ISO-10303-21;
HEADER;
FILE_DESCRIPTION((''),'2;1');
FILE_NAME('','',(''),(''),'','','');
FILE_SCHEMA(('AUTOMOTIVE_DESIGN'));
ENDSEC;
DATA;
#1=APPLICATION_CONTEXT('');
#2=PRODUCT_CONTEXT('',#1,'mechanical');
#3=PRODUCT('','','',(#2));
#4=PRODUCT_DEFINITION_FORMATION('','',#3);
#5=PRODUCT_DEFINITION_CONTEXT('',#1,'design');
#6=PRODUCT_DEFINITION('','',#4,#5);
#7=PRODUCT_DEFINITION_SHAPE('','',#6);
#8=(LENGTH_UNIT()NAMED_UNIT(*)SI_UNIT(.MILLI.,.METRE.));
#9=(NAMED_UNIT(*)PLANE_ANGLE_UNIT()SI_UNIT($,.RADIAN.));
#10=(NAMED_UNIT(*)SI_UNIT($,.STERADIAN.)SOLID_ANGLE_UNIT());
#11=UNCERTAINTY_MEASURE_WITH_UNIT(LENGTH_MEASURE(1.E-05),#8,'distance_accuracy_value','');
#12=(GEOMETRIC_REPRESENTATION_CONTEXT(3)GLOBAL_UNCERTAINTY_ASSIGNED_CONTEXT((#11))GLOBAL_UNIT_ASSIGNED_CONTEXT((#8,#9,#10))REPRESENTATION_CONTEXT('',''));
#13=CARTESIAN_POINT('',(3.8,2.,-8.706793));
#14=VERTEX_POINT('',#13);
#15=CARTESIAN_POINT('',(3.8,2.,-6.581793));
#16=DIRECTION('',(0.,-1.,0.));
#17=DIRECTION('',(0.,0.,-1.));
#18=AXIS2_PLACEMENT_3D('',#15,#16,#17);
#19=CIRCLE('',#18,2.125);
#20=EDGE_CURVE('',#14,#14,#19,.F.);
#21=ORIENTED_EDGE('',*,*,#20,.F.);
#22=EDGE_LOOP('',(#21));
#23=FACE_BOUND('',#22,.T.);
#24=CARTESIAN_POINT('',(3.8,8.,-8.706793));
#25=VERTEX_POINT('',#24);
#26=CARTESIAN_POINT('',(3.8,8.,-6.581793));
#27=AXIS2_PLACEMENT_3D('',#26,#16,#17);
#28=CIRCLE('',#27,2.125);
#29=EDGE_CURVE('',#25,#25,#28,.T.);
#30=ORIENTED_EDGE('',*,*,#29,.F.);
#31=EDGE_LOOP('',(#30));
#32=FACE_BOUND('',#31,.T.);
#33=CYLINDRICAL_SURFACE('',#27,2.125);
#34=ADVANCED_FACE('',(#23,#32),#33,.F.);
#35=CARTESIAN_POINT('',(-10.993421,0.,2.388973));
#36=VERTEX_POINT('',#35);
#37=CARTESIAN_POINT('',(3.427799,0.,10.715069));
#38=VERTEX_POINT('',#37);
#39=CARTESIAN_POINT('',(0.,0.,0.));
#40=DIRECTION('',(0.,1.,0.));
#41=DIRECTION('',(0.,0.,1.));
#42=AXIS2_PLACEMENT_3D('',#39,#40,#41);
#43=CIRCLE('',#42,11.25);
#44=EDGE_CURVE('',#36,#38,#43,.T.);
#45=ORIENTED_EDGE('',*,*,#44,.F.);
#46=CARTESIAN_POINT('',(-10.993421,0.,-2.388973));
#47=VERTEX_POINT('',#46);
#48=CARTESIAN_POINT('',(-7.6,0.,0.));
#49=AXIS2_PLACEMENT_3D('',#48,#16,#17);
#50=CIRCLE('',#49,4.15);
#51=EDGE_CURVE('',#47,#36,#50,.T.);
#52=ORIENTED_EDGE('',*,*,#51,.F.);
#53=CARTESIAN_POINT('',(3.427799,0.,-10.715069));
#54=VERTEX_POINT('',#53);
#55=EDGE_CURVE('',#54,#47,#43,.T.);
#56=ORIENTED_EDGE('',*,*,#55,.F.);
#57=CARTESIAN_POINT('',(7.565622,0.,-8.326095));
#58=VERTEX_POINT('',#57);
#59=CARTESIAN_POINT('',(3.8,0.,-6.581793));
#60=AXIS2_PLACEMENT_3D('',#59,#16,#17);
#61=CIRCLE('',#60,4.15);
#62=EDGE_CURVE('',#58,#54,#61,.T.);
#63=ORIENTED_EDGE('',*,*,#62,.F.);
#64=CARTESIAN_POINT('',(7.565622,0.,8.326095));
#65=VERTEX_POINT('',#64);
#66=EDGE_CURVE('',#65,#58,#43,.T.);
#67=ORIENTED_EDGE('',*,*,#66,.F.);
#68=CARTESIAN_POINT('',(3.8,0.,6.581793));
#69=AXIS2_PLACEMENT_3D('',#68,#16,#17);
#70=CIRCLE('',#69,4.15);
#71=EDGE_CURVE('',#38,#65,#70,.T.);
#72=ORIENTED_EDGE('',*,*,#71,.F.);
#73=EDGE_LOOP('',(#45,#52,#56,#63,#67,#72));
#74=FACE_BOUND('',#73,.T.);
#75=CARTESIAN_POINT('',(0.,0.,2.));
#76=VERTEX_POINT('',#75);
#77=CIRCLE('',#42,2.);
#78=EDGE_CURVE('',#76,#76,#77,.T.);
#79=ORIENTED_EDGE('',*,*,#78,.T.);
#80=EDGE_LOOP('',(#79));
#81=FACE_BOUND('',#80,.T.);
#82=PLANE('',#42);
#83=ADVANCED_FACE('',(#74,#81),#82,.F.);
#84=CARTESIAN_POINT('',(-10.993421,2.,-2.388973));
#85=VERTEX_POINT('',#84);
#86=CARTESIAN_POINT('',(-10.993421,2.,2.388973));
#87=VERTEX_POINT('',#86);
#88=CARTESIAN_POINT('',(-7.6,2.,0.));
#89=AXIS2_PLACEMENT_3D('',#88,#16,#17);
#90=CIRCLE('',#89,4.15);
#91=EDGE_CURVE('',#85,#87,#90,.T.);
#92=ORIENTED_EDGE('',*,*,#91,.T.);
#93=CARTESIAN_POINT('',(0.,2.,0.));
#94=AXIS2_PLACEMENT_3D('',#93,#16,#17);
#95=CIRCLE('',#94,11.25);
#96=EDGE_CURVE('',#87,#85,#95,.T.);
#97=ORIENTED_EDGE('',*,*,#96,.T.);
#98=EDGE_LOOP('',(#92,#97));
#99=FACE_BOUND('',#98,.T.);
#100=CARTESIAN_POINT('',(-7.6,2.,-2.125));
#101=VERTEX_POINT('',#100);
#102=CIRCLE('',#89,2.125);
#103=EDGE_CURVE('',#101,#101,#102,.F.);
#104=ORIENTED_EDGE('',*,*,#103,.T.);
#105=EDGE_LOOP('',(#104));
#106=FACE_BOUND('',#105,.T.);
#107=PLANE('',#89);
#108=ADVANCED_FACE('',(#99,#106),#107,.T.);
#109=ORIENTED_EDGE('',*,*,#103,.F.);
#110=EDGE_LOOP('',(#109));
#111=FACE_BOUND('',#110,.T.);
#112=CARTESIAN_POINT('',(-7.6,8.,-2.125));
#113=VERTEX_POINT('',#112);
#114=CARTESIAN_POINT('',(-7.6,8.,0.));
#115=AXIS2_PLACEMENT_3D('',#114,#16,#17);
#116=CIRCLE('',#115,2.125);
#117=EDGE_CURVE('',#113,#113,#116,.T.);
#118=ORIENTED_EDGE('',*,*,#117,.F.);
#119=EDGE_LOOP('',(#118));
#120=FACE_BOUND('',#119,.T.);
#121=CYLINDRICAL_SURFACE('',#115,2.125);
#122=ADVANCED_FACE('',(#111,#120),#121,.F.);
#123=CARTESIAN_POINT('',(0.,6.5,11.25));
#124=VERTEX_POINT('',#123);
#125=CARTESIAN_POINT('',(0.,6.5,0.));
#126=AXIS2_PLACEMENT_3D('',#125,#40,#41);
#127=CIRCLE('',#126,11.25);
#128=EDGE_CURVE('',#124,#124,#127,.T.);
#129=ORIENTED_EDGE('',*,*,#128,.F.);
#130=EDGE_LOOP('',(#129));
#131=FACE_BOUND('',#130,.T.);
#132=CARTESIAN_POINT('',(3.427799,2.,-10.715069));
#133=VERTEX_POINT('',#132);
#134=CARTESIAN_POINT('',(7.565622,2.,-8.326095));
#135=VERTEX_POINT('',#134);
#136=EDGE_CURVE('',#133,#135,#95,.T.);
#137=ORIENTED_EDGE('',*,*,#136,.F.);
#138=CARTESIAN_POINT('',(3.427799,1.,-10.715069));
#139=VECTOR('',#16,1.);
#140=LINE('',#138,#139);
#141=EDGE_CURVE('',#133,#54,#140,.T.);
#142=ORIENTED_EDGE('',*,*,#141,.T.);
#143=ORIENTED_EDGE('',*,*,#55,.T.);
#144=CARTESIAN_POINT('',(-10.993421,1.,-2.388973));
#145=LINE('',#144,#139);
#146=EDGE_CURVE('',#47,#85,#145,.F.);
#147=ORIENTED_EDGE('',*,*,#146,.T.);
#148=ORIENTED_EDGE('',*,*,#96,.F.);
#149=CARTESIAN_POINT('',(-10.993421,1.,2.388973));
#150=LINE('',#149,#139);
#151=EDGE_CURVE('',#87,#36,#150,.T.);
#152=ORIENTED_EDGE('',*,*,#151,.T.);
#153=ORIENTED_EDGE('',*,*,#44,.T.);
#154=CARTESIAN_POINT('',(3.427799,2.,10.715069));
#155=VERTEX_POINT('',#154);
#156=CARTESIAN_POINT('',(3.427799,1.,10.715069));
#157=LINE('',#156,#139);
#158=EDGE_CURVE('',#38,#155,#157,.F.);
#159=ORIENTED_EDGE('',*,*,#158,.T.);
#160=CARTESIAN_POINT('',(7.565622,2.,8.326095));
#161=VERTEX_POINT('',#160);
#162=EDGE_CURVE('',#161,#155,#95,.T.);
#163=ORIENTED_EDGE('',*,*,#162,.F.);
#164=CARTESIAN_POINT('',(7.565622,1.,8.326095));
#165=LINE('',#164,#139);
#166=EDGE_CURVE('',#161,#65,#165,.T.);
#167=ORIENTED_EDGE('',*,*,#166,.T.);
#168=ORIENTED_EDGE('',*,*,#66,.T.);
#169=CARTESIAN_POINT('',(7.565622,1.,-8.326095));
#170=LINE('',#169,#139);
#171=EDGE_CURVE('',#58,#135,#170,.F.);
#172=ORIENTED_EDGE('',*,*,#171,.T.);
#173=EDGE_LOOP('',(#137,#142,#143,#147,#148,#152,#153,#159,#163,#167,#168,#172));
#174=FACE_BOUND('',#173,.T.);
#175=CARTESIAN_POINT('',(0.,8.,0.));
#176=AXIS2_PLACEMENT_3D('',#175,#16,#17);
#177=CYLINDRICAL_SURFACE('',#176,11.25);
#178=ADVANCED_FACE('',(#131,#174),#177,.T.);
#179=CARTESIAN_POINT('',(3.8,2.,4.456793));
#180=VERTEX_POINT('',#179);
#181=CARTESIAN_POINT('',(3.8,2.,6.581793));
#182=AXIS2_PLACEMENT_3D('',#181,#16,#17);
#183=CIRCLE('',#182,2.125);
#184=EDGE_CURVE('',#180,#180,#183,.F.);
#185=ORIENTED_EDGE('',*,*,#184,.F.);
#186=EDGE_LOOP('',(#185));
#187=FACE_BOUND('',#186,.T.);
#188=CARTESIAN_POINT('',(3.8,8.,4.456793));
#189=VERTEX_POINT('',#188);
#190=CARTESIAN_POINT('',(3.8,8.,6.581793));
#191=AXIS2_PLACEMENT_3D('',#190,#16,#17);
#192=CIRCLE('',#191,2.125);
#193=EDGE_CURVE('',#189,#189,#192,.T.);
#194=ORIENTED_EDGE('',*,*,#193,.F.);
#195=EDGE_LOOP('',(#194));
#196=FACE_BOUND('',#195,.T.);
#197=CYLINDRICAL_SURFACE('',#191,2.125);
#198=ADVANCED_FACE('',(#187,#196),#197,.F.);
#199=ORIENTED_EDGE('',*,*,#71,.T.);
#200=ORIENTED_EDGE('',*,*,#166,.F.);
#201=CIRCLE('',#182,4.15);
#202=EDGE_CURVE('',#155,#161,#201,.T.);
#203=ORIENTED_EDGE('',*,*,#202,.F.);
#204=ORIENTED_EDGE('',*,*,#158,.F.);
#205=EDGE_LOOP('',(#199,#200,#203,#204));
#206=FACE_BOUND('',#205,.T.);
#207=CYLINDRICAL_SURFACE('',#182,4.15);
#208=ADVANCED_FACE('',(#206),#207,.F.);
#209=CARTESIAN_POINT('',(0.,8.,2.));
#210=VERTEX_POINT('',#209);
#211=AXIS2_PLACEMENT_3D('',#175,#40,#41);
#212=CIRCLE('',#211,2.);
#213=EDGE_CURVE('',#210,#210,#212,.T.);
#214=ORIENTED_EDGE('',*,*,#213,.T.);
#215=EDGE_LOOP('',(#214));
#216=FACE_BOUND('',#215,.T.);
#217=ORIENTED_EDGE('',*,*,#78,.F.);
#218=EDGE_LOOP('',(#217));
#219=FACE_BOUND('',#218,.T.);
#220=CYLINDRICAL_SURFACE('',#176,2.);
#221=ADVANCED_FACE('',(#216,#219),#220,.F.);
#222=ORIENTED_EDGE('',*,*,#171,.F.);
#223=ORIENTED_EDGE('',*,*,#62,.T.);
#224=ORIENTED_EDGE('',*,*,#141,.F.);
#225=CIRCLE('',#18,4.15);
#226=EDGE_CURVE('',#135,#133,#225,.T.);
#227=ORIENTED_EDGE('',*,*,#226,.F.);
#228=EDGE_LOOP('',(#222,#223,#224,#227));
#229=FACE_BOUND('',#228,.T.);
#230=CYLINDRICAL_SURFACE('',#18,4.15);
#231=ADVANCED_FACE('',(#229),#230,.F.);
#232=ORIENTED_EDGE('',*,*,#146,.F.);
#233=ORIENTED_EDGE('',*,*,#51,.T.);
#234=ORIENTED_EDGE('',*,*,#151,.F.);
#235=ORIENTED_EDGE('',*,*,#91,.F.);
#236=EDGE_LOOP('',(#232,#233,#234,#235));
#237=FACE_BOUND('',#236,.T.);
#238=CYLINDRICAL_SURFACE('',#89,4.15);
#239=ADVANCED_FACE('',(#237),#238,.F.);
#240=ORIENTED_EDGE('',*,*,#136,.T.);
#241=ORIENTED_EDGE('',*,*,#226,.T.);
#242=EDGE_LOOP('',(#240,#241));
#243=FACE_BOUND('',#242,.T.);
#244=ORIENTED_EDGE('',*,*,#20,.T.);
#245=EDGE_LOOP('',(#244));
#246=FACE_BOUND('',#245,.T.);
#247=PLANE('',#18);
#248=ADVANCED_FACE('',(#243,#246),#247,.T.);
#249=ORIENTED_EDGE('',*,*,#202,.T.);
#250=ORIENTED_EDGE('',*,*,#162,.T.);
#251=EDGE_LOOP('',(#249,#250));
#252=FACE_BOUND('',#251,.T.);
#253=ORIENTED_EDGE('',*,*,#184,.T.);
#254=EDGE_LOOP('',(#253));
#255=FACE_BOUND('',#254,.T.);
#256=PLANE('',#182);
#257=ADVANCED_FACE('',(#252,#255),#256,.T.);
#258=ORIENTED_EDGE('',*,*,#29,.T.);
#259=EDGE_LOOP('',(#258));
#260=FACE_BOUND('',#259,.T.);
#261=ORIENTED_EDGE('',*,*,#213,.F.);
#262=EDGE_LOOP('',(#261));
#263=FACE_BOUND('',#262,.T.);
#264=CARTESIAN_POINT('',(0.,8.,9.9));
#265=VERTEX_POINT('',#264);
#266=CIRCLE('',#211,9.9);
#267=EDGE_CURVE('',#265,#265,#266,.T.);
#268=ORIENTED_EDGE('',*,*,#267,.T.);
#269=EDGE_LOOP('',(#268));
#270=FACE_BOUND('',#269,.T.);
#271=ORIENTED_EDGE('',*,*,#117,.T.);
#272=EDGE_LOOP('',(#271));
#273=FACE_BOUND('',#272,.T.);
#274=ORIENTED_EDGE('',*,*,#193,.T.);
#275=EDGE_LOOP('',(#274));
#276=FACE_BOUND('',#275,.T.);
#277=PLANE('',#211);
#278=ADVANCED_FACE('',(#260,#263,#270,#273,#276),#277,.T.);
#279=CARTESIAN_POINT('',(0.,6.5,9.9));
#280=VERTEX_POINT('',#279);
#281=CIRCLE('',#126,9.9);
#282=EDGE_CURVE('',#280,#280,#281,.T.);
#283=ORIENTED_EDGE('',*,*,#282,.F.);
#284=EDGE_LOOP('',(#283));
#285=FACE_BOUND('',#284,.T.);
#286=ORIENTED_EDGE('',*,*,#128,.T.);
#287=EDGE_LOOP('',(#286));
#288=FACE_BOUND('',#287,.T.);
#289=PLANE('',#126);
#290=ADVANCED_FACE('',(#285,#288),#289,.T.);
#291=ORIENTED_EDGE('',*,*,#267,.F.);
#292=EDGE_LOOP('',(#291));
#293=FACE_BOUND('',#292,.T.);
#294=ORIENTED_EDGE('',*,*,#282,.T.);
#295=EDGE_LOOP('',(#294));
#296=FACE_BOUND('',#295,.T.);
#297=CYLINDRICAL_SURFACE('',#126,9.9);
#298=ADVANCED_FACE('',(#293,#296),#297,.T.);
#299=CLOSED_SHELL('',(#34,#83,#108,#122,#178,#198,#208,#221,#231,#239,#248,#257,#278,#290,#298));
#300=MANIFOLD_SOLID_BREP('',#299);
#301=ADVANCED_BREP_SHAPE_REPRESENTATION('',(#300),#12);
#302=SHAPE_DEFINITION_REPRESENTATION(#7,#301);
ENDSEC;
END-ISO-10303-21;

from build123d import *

# Parameters (mm, degrees)
SKETCH1_R           = 11.25
SKETCH1_R_2         = 2
BOSS_EXTRUDE1_DEPTH = 8
SKETCH2_R           = 2.125
CUT_EXTRUDE1_DEPTH  = 18.808003819
SKETCH3_R           = 4.15
CUT_EXTRUDE2_DEPTH  = 2
CUT_EXTRUDE3_START  = -1.5
SKETCH4_R           = 11.25
SKETCH4_R_2         = 9.9
CUT_EXTRUDE3_DEPTH  = 1.5


with BuildPart() as part:
    # Sketch1 → Boss-Extrude1 (new body)
    with BuildSketch(Plane(origin=(0, 0, 0), x_dir=(1, 0, 0), z_dir=(0, 1, 0))):
        with Locations(Location((0, 0, 0), (0, 0, 270))):
            Circle(SKETCH1_R)
        with Locations(Location((0, 0, 0), (0, 0, 270))):
            Circle(SKETCH1_R_2, mode=Mode.SUBTRACT)
    extrude(amount=BOSS_EXTRUDE1_DEPTH)

    # Sketch2 → Cut-Extrude1 (cut, through all)
    with BuildSketch(Plane.XZ):
        with Locations(Location((-7.6, 0, 0), (0, 0, 270))):
            Circle(SKETCH2_R)
        with Locations(Location((3.8, 6.581793069, 0), (0, 0, 270))):
            Circle(SKETCH2_R)
        with Locations(Location((3.8, -6.581793069, 0), (0, 0, 270))):
            Circle(SKETCH2_R)
    extrude(amount=-CUT_EXTRUDE1_DEPTH, mode=Mode.SUBTRACT)

    # Sketch3 → Cut-Extrude2 (cut)
    with BuildSketch(Plane.XZ):
        with Locations((-7.6, 0)):
            Circle(SKETCH3_R)
        with Locations((3.8, 6.581793069)):
            Circle(SKETCH3_R)
        with Locations((3.8, -6.581793069)):
            Circle(SKETCH3_R)
    extrude(amount=-CUT_EXTRUDE2_DEPTH, mode=Mode.SUBTRACT)

    # Sketch4 → Cut-Extrude3 (cut)
    with BuildSketch(Plane(origin=(0, 8, 0), x_dir=(1, 0, 0), z_dir=(0, 1, 0)).offset(CUT_EXTRUDE3_START)):
        with Locations(Location((0, 0, 0), (0, 0, 72.260290628))):
            Circle(SKETCH4_R)
        with Locations(Location((0, 0, 0), (0, 0, 270))):
            Circle(SKETCH4_R_2, mode=Mode.SUBTRACT)
    extrude(amount=CUT_EXTRUDE3_DEPTH, mode=Mode.SUBTRACT)


solid = part.part
